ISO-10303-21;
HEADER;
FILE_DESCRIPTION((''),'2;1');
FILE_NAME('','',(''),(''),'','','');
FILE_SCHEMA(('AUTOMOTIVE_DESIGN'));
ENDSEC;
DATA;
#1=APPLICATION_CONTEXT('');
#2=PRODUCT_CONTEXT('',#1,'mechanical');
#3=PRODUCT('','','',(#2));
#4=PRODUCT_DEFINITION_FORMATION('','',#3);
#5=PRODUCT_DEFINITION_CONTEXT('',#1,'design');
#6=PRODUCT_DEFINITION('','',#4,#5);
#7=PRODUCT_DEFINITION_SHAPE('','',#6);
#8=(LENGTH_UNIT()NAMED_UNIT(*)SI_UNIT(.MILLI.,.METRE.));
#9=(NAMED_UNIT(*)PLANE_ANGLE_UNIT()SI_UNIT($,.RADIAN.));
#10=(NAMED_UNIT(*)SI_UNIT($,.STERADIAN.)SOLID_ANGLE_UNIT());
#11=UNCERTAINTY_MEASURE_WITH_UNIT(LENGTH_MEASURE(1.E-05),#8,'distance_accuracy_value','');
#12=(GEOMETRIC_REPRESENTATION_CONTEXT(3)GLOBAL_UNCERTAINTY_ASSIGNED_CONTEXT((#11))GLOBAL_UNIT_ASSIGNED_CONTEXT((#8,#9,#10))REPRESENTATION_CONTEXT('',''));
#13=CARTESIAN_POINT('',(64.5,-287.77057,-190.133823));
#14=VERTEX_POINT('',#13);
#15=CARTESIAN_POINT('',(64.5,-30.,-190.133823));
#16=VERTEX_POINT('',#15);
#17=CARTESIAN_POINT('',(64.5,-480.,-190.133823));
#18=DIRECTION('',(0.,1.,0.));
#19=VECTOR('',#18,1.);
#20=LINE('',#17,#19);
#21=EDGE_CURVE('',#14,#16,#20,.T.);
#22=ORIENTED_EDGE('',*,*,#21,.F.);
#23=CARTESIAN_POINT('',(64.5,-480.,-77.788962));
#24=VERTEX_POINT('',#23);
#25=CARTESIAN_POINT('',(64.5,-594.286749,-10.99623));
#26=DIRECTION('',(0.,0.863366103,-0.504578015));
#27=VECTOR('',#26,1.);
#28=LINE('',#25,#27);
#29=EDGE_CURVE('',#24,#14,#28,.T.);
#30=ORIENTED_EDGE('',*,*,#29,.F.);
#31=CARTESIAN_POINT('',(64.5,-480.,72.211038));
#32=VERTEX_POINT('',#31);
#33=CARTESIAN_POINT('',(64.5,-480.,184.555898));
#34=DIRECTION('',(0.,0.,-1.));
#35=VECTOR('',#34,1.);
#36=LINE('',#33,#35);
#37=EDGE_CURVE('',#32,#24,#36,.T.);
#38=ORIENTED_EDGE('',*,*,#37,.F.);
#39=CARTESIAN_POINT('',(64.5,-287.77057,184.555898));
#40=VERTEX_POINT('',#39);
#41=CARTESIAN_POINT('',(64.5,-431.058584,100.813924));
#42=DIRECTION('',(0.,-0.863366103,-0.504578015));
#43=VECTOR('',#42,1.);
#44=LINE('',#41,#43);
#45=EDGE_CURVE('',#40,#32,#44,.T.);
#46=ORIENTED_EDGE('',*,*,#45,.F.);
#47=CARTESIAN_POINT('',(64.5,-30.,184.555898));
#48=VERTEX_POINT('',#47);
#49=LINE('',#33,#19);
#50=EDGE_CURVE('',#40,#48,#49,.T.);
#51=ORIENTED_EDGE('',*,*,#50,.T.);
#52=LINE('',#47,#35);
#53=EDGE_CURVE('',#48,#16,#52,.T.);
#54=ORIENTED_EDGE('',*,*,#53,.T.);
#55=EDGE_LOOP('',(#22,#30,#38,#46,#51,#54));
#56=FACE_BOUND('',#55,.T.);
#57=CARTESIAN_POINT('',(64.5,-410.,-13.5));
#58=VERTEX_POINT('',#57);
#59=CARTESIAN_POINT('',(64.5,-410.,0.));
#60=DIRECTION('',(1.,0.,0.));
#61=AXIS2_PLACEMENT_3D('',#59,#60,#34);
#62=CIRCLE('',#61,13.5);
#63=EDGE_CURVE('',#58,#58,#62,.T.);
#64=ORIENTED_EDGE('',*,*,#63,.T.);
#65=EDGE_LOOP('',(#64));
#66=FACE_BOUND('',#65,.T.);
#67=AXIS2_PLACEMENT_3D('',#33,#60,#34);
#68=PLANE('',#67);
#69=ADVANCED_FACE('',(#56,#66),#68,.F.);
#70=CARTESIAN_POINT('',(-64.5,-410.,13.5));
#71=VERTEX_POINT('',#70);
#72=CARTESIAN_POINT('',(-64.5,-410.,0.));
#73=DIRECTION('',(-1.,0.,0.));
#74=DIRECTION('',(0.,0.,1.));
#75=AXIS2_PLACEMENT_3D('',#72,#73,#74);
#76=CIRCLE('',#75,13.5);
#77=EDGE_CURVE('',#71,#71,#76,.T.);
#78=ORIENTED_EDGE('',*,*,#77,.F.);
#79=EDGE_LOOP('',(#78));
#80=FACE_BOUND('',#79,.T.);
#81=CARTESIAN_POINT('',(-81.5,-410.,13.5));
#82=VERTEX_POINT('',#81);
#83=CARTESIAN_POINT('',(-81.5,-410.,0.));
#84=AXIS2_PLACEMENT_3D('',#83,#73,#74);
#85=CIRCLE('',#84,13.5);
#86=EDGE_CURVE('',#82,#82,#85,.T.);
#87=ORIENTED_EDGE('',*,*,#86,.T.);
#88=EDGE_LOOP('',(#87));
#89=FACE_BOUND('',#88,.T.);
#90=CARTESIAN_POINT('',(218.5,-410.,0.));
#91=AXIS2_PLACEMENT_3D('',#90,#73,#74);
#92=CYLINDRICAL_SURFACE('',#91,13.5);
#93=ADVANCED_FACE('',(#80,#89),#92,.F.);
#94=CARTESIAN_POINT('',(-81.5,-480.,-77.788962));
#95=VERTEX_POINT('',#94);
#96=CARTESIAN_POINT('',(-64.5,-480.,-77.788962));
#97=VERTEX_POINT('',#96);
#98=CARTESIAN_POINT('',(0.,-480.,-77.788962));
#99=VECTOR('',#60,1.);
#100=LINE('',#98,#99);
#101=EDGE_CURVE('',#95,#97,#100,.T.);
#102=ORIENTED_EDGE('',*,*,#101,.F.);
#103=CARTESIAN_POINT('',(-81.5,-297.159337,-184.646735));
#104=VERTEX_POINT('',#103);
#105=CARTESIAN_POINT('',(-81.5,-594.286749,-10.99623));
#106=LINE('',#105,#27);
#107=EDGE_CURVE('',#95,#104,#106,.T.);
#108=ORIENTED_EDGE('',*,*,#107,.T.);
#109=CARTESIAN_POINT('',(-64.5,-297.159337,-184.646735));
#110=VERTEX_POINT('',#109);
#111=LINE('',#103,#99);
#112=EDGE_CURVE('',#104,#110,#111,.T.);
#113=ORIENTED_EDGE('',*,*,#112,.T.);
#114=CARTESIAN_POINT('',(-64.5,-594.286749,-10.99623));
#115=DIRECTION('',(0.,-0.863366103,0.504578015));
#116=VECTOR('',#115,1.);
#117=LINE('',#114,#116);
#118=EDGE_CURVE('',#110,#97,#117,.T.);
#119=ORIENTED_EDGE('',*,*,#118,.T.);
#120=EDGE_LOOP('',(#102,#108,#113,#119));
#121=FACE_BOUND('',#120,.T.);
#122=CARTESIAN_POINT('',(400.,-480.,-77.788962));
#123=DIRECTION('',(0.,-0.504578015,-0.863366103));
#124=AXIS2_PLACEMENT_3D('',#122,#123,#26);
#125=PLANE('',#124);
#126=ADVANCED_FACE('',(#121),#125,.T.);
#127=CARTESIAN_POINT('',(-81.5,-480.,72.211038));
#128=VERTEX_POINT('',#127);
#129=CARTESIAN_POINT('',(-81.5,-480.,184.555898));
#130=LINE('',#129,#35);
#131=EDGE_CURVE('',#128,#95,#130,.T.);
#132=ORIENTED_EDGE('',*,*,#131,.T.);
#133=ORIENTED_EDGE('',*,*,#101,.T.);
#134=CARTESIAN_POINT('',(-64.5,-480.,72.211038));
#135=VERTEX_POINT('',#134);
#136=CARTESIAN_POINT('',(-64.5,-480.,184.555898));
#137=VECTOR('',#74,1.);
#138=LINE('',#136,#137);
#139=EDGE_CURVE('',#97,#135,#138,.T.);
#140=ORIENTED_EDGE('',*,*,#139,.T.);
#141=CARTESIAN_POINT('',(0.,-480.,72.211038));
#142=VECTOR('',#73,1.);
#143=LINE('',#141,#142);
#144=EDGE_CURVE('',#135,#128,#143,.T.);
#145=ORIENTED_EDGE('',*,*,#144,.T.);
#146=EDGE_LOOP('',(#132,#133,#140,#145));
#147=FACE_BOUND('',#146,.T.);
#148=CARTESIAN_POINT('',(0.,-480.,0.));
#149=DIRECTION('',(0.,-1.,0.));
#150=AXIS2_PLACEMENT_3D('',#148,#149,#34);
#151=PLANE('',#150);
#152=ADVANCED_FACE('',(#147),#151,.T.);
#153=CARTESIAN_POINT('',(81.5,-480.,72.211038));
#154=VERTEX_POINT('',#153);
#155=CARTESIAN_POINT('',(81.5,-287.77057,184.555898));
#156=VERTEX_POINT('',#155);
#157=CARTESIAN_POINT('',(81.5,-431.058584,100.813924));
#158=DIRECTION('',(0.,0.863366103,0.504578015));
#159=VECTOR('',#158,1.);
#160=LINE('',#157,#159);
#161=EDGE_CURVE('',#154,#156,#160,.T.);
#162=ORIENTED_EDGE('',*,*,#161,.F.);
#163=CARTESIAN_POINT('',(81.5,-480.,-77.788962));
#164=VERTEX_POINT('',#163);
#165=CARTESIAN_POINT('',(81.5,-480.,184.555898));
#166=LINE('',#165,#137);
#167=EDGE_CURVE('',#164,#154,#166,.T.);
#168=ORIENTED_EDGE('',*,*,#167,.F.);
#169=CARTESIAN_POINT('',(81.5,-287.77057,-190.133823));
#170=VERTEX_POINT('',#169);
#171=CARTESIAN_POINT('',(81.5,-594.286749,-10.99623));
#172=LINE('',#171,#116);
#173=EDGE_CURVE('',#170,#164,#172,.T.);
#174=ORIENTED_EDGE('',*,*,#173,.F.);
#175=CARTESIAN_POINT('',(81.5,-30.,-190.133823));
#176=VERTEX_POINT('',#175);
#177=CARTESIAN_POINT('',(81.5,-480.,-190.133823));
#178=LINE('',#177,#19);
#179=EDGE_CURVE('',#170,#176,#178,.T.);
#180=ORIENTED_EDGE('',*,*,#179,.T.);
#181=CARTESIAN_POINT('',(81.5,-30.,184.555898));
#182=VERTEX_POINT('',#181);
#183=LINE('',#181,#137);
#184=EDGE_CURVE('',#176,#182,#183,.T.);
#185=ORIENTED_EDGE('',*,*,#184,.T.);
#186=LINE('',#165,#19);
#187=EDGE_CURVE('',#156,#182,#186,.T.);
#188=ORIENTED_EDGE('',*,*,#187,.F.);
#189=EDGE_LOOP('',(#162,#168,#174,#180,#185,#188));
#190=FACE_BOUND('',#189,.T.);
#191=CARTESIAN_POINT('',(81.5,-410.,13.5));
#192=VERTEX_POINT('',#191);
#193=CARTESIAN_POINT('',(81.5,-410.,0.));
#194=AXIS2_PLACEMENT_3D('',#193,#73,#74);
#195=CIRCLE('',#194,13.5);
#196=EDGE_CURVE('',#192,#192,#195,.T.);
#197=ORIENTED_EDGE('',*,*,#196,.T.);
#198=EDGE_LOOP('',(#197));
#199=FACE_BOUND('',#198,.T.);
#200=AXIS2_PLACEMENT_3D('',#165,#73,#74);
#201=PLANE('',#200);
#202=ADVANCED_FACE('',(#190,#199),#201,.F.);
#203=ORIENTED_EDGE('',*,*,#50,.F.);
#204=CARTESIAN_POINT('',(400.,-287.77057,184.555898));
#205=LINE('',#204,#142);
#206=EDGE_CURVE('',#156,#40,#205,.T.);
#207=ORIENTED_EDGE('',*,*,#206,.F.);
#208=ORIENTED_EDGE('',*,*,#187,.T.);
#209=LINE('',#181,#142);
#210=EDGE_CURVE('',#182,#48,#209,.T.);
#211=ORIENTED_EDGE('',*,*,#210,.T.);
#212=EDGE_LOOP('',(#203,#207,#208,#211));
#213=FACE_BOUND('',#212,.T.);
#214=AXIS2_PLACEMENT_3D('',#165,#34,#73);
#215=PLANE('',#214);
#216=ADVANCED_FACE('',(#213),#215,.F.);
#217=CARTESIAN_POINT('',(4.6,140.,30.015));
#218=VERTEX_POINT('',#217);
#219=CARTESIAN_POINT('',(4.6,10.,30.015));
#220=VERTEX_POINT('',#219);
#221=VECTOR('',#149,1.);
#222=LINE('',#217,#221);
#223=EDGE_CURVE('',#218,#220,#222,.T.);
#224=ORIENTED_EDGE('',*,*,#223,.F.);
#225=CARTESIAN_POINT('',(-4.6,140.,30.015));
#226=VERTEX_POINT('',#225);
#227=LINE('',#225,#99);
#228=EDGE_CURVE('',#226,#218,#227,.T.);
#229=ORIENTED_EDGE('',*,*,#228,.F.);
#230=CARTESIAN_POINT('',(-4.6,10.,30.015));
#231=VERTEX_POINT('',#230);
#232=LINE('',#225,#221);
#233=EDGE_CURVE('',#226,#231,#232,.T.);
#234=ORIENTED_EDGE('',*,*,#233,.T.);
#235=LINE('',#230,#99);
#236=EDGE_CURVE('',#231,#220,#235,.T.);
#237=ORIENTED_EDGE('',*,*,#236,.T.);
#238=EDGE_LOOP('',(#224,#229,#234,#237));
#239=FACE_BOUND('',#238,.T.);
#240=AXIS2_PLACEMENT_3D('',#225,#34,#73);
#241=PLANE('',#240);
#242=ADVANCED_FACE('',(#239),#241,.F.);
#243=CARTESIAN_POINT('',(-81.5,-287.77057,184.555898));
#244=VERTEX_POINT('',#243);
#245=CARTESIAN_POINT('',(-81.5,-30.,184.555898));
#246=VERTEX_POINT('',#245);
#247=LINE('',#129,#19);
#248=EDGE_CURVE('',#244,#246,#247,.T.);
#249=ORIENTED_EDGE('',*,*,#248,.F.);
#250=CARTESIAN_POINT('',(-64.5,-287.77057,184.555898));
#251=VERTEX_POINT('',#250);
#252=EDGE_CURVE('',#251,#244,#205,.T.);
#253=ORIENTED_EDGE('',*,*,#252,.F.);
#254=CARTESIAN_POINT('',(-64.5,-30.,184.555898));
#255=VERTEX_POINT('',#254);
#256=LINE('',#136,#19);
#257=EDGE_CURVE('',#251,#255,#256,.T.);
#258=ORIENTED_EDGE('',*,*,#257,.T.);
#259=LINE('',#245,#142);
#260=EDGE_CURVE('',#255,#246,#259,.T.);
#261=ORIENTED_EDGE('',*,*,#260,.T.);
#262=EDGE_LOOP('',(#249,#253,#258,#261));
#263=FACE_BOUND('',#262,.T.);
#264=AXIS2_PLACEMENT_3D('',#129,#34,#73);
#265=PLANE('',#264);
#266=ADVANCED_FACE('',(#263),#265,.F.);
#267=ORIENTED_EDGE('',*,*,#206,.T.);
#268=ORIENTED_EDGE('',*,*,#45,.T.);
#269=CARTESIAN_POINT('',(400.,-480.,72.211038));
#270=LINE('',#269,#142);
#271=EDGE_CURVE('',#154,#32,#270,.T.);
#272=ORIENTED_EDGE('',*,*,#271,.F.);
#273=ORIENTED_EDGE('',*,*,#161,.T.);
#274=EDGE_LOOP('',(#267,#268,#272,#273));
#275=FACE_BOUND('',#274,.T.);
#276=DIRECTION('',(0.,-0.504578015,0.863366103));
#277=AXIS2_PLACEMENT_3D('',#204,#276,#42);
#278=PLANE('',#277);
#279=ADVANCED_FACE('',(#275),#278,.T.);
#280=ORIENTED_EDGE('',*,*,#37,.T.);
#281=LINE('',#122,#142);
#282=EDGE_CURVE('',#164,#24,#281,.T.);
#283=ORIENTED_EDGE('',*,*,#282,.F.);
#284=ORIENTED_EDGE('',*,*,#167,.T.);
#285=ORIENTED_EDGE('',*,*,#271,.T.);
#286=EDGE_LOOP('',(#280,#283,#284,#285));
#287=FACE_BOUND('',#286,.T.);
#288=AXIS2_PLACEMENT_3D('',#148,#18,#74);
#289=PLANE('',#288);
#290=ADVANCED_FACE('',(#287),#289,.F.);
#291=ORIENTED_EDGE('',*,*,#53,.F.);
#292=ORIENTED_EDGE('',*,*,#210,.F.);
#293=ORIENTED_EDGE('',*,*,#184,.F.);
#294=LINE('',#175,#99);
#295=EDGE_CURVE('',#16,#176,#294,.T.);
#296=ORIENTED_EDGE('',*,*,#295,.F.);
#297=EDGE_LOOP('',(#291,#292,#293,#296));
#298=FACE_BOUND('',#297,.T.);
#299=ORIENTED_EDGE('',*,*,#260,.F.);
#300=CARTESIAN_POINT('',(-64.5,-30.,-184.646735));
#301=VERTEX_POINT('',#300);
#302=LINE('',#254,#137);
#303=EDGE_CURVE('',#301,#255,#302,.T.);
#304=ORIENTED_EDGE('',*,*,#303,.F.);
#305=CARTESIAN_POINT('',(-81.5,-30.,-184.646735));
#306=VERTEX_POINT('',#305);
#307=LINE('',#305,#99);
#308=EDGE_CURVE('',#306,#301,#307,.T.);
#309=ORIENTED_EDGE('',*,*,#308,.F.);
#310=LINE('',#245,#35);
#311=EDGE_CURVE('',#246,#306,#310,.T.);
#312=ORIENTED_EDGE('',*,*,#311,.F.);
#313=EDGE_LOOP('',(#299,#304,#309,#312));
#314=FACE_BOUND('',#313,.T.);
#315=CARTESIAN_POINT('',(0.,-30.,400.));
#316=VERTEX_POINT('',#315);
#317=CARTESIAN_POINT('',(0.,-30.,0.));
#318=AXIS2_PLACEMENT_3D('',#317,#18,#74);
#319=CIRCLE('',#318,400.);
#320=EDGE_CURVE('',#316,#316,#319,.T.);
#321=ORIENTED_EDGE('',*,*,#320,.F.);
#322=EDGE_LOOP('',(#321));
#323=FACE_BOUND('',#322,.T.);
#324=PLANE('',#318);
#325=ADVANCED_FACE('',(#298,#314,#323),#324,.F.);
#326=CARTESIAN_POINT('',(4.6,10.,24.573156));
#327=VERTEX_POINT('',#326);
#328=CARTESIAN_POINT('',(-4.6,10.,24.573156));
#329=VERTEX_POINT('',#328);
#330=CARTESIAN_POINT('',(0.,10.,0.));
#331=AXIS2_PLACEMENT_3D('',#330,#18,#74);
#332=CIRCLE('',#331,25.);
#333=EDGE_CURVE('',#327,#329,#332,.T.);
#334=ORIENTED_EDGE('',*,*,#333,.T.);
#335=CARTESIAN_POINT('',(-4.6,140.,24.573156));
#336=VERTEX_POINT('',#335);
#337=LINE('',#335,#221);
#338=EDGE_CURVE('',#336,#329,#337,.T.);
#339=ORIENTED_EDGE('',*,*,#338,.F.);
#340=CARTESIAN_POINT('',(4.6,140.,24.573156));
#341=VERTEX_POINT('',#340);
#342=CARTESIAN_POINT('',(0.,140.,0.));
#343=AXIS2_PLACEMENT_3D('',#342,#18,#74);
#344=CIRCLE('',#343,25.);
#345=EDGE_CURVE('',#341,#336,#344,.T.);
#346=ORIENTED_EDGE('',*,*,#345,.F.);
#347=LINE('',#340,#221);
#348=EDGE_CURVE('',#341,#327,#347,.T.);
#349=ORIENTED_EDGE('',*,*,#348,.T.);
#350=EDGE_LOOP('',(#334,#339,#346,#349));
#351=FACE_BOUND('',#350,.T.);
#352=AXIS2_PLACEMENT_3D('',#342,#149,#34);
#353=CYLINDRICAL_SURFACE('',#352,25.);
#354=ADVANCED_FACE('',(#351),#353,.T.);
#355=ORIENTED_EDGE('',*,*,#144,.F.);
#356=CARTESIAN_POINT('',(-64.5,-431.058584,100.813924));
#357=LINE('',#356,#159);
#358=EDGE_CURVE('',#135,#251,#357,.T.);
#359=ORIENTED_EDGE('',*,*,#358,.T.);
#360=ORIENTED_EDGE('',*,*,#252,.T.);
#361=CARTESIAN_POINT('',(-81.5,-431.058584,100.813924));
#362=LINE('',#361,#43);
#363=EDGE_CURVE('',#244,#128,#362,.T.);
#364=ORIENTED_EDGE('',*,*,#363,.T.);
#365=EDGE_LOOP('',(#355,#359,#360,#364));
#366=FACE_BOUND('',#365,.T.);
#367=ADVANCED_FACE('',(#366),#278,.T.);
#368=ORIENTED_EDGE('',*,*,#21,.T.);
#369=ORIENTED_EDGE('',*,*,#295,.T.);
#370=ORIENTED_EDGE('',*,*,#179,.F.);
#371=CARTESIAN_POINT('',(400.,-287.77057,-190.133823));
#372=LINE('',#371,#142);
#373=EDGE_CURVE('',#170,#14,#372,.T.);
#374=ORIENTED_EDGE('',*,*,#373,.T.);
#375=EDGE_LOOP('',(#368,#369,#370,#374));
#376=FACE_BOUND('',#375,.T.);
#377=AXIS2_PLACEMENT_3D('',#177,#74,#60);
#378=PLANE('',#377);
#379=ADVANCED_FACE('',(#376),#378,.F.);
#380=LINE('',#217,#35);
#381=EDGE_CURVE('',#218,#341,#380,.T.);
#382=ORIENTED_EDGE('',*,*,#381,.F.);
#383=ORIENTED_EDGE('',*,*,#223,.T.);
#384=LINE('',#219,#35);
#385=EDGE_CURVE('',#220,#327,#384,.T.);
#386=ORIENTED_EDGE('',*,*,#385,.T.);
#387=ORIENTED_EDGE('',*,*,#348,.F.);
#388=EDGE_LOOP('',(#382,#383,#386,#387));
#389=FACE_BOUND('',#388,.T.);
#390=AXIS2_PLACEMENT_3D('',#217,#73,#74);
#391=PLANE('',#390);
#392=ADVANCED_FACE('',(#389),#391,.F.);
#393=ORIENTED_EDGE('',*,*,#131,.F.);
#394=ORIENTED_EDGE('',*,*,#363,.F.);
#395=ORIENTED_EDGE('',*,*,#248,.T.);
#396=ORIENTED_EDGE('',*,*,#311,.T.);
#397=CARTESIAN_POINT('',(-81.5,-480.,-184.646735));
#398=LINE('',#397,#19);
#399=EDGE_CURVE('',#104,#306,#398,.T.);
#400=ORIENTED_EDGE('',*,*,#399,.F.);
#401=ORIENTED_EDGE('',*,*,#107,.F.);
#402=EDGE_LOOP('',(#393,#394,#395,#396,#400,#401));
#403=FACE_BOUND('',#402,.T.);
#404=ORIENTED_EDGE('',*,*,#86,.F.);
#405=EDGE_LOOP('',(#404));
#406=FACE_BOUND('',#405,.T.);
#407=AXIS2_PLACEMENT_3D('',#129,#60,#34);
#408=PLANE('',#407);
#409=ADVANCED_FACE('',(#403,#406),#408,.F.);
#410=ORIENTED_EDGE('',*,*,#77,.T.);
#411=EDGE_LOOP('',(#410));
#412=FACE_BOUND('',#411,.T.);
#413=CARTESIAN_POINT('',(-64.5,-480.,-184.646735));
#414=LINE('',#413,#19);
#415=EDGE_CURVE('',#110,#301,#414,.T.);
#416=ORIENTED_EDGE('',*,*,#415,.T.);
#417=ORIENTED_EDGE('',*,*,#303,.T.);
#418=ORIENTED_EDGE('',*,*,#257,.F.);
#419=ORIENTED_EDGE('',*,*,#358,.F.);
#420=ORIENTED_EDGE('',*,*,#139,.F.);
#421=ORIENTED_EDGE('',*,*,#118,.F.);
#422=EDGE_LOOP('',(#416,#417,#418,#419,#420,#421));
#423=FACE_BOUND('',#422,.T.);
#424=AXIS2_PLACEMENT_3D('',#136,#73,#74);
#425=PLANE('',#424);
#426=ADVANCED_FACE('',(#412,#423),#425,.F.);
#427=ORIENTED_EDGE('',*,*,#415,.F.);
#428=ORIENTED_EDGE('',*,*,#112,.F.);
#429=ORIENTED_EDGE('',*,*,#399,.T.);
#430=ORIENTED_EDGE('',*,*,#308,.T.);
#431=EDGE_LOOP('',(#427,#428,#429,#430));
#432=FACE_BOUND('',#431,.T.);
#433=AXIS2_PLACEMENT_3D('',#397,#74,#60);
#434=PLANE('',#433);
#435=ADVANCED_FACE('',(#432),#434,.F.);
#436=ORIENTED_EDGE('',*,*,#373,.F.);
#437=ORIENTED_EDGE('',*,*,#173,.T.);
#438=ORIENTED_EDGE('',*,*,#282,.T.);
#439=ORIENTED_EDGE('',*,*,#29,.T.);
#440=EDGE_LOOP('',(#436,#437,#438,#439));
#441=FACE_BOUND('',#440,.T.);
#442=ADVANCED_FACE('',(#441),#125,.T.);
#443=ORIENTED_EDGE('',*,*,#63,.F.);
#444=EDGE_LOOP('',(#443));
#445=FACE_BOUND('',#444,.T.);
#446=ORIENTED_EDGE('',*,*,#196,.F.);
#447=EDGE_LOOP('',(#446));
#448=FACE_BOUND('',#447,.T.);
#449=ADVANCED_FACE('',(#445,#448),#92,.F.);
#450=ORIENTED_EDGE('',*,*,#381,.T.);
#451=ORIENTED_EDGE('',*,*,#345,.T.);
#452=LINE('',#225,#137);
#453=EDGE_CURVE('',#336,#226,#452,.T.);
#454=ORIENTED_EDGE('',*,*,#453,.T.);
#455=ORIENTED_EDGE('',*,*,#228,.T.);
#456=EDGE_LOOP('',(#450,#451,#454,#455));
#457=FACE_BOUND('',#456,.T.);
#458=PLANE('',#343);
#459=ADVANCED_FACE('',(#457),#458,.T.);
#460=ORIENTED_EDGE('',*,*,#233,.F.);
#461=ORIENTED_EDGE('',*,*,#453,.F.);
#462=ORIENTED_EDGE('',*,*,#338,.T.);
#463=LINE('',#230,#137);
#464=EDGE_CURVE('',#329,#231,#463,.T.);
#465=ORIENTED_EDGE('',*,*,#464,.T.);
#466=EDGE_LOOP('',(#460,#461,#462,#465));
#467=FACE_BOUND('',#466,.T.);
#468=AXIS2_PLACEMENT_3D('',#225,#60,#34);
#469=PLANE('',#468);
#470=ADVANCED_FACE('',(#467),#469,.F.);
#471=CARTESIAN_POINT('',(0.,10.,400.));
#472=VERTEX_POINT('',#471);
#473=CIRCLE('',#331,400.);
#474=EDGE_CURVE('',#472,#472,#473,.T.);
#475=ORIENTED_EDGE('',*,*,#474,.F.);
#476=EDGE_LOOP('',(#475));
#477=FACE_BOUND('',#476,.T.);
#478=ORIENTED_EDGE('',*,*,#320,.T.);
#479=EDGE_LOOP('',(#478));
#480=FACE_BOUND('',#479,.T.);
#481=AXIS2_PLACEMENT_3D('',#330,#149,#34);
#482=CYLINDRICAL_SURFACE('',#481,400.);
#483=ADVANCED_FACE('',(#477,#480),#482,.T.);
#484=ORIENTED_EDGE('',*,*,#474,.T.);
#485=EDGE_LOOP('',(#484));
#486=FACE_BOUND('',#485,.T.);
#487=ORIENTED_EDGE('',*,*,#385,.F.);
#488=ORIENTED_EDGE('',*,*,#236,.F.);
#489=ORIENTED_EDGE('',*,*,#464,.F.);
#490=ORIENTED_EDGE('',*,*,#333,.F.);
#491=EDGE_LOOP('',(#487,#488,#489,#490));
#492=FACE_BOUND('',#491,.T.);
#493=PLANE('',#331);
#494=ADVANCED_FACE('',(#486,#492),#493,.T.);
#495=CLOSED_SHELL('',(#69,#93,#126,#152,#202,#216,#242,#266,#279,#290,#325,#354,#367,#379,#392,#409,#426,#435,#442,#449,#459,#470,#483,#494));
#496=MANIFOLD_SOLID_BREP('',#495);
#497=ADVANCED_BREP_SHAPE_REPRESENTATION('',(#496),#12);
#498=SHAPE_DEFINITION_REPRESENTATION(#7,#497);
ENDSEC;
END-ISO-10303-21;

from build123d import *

# Parameters (mm, degrees)
SKETCH1_R               = 400
BOSS_EXTRUDE1_DEPTH     = 10
BOSS_EXTRUDE5_DEPTH     = 130
BOSS_EXTRUDE6_START     = -30
SKETCH1_4_R             = 400
BOSS_EXTRUDE6_DEPTH     = 30
SKETCH4_W               = 17
SKETCH4_H               = 369.202632894
SKETCH4_H_2             = 374.689720856
BOSS_EXTRUDE7_DEPTH     = 450
CUT_EXTRUDE1_DEPTH      = 789.823332566
CUT_EXTRUDE1_DEPTH_BACK = 300
SKETCH6_R               = 13.5
CUT_EXTRUDE2_DEPTH      = 300


with BuildPart() as part:
    # Sketch1 → Boss-Extrude1 (new body)
    with BuildSketch(Plane(origin=(0, 0, 0), x_dir=(1, 0, 0), z_dir=(0, 1, 0))):
        Circle(SKETCH1_R)
    extrude(amount=BOSS_EXTRUDE1_DEPTH)

    # Sketch3 → Boss-Extrude5 (add)
    with BuildSketch(Plane(origin=(0, 10, 0), x_dir=(1, 0, 0), z_dir=(0, 1, 0))):
        with BuildLine():
            Line((-4.6, -30.015), (4.6, -30.015))
            Line((4.6, -30.015), (4.6, -24.573156085))
            ThreePointArc((4.6, -24.573156085), (0, 25), (-4.6, -24.573156085))
            Line((-4.6, -24.573156085), (-4.6, -30.015))
        make_face()
    extrude(amount=BOSS_EXTRUDE5_DEPTH)

    # Sketch1<4> → Boss-Extrude6 (add)
    with BuildSketch(Plane(origin=(0, 0, 0), x_dir=(1, 0, 0), z_dir=(0, 1, 0)).offset(BOSS_EXTRUDE6_START)):
        Circle(SKETCH1_4_R)
    extrude(amount=BOSS_EXTRUDE6_DEPTH)

    # Sketch4 → Boss-Extrude7 (add)
    with BuildSketch(Plane.XZ.offset(30)):
        with Locations((-73, -0.045418377)):
            Rectangle(SKETCH4_W, SKETCH4_H)
        with Locations((73, -2.788962358)):
            Rectangle(SKETCH4_W, SKETCH4_H_2)
    extrude(amount=BOSS_EXTRUDE7_DEPTH)

    # Sketch5 → Cut-Extrude1 (cut, two sides: drawn at the far end of the back side and taken through both)
    with BuildSketch(Plane(origin=(81.5, 0, 0), x_dir=(0, 0, -1), z_dir=(1, 0, 0)).offset(-CUT_EXTRUDE1_DEPTH_BACK)):
        Polygon((-184.55589807, -287.770569758), (-72.211037642, -480), (-184.55589807, -480), align=None)
        Polygon((77.788962358, -480), (190.133822786, -287.770569758), (190.133822786, -480), align=None)
    extrude(amount=CUT_EXTRUDE1_DEPTH + CUT_EXTRUDE1_DEPTH_BACK, mode=Mode.SUBTRACT)

    # Sketch6 → Cut-Extrude2 (cut)
    with BuildSketch(Plane.ZY.offset(81.5)):
        with Locations((0, -410)):
            Circle(SKETCH6_R)
    extrude(amount=-CUT_EXTRUDE2_DEPTH, mode=Mode.SUBTRACT)


solid = part.part
